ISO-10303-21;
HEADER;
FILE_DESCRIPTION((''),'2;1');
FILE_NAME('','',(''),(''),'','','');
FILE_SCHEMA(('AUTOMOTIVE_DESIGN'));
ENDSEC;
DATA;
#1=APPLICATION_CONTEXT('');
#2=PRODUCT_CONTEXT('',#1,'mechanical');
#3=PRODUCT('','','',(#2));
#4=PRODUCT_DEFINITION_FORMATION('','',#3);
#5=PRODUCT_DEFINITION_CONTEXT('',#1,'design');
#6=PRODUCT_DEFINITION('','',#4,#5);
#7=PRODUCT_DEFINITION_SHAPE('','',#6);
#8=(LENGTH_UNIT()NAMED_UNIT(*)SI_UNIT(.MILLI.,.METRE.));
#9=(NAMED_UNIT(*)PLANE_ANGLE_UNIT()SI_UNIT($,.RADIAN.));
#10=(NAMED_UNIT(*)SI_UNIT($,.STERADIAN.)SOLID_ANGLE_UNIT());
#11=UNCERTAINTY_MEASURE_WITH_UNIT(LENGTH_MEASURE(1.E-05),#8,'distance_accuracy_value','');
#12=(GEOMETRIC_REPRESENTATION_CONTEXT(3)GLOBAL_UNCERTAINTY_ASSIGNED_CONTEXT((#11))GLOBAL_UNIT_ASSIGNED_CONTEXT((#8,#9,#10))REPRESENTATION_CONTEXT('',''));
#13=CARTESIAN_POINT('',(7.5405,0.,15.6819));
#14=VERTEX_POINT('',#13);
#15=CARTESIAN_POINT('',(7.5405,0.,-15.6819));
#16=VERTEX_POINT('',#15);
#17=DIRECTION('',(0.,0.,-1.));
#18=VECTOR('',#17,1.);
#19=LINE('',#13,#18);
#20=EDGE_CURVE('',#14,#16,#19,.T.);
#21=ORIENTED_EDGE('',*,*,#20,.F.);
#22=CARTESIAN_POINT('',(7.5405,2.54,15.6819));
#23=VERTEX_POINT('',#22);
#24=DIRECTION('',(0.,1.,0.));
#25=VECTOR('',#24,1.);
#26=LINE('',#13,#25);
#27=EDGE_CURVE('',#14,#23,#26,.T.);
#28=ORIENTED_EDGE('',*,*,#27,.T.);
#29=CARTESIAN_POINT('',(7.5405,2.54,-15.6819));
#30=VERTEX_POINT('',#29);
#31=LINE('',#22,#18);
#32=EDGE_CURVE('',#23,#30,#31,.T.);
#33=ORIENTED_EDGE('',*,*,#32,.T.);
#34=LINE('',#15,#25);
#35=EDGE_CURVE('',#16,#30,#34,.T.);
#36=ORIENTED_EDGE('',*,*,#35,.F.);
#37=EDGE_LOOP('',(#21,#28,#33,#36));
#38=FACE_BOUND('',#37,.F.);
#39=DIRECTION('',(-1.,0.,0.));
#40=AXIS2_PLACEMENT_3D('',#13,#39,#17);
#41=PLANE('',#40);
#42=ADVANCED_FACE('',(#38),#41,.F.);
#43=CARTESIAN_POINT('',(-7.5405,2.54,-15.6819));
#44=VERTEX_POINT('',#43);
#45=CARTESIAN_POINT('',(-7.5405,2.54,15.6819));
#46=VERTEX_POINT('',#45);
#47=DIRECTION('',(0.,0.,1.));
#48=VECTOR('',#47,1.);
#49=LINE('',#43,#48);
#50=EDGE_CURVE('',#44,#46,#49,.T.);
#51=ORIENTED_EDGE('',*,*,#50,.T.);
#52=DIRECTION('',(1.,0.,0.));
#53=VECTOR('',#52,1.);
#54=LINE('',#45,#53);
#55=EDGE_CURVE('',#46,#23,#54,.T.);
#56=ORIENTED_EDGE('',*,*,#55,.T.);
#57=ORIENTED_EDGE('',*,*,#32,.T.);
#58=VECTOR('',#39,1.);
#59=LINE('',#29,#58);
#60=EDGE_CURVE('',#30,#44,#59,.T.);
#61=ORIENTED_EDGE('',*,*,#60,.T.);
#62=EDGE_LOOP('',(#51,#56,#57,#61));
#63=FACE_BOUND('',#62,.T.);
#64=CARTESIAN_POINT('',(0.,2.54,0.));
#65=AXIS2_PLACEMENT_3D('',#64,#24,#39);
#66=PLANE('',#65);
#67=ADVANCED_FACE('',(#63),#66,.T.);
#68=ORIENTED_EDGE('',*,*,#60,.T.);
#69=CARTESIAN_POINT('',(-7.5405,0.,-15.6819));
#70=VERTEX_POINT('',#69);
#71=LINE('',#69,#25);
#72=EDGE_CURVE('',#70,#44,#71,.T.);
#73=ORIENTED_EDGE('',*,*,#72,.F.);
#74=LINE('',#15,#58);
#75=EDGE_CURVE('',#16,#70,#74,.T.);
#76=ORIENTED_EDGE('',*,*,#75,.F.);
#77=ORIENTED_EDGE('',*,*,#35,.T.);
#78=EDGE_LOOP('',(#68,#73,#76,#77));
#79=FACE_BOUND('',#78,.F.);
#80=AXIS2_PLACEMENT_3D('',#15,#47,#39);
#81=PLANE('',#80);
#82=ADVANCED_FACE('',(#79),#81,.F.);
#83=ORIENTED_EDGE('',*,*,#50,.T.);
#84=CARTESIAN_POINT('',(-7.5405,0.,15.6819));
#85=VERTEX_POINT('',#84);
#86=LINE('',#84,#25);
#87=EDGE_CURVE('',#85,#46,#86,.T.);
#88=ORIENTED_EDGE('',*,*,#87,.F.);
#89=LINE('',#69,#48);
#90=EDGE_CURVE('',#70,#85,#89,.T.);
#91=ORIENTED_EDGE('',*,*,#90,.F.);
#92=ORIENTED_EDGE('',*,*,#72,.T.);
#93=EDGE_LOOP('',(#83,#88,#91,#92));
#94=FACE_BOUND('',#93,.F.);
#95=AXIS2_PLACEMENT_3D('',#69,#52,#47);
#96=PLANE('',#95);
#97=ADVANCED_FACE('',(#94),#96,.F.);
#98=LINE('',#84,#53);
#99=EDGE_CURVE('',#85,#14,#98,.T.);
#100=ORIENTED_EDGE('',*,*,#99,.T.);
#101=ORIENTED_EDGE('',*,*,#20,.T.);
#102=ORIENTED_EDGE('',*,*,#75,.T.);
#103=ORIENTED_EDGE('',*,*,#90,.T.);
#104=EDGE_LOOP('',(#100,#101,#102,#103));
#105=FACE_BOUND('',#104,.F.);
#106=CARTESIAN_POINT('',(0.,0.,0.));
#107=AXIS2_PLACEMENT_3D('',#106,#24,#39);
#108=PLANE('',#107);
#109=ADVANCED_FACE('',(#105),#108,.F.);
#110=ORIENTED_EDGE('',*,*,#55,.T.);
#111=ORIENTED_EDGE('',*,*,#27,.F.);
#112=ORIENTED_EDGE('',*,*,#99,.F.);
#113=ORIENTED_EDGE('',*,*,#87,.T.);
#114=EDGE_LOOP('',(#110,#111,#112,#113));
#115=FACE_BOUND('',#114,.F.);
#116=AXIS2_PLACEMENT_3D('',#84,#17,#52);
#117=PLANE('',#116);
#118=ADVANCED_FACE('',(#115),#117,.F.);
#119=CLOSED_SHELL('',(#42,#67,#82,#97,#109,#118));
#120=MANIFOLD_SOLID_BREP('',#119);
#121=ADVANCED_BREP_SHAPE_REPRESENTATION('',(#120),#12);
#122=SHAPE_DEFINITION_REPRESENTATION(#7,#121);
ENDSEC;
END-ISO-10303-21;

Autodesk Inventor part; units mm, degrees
ref_plane "YZ Plane" through (0, 0, 0) normal (1, 0, 0) x (0, 1, 0)
ref_plane "XZ Plane" through (0, 0, 0) normal (0, 1, 0) x (-1, 0, 0)
ref_plane "XY Plane" through (0, 0, 0) normal (0, 0, 1) x (1, 0, 0)
sketch "Sketch1" plane through (0, 0, 0) normal (0, 1, 0) x (-1, 0, 0)
  line L0 (7.5405, 15.6819) -> (-7.5405, 15.6819)
  line L1 (-7.5405, 15.6819) -> (-7.5405, -15.6819)
  line L2 (-7.5405, -15.6819) -> (7.5405, -15.6819)
  line L3 (7.5405, -15.6819) -> (7.5405, 15.6819)
  line L4 (7.5405, 15.6819) -> (-7.5405, -15.6819) construction
  line L5 (-7.5405, 15.6819) -> (7.5405, -15.6819) construction
  point P0 (0, 0)
extrude "Extrusion1" add sketch "Sketch1" along normal blind 2.54
properties part number "lid"
